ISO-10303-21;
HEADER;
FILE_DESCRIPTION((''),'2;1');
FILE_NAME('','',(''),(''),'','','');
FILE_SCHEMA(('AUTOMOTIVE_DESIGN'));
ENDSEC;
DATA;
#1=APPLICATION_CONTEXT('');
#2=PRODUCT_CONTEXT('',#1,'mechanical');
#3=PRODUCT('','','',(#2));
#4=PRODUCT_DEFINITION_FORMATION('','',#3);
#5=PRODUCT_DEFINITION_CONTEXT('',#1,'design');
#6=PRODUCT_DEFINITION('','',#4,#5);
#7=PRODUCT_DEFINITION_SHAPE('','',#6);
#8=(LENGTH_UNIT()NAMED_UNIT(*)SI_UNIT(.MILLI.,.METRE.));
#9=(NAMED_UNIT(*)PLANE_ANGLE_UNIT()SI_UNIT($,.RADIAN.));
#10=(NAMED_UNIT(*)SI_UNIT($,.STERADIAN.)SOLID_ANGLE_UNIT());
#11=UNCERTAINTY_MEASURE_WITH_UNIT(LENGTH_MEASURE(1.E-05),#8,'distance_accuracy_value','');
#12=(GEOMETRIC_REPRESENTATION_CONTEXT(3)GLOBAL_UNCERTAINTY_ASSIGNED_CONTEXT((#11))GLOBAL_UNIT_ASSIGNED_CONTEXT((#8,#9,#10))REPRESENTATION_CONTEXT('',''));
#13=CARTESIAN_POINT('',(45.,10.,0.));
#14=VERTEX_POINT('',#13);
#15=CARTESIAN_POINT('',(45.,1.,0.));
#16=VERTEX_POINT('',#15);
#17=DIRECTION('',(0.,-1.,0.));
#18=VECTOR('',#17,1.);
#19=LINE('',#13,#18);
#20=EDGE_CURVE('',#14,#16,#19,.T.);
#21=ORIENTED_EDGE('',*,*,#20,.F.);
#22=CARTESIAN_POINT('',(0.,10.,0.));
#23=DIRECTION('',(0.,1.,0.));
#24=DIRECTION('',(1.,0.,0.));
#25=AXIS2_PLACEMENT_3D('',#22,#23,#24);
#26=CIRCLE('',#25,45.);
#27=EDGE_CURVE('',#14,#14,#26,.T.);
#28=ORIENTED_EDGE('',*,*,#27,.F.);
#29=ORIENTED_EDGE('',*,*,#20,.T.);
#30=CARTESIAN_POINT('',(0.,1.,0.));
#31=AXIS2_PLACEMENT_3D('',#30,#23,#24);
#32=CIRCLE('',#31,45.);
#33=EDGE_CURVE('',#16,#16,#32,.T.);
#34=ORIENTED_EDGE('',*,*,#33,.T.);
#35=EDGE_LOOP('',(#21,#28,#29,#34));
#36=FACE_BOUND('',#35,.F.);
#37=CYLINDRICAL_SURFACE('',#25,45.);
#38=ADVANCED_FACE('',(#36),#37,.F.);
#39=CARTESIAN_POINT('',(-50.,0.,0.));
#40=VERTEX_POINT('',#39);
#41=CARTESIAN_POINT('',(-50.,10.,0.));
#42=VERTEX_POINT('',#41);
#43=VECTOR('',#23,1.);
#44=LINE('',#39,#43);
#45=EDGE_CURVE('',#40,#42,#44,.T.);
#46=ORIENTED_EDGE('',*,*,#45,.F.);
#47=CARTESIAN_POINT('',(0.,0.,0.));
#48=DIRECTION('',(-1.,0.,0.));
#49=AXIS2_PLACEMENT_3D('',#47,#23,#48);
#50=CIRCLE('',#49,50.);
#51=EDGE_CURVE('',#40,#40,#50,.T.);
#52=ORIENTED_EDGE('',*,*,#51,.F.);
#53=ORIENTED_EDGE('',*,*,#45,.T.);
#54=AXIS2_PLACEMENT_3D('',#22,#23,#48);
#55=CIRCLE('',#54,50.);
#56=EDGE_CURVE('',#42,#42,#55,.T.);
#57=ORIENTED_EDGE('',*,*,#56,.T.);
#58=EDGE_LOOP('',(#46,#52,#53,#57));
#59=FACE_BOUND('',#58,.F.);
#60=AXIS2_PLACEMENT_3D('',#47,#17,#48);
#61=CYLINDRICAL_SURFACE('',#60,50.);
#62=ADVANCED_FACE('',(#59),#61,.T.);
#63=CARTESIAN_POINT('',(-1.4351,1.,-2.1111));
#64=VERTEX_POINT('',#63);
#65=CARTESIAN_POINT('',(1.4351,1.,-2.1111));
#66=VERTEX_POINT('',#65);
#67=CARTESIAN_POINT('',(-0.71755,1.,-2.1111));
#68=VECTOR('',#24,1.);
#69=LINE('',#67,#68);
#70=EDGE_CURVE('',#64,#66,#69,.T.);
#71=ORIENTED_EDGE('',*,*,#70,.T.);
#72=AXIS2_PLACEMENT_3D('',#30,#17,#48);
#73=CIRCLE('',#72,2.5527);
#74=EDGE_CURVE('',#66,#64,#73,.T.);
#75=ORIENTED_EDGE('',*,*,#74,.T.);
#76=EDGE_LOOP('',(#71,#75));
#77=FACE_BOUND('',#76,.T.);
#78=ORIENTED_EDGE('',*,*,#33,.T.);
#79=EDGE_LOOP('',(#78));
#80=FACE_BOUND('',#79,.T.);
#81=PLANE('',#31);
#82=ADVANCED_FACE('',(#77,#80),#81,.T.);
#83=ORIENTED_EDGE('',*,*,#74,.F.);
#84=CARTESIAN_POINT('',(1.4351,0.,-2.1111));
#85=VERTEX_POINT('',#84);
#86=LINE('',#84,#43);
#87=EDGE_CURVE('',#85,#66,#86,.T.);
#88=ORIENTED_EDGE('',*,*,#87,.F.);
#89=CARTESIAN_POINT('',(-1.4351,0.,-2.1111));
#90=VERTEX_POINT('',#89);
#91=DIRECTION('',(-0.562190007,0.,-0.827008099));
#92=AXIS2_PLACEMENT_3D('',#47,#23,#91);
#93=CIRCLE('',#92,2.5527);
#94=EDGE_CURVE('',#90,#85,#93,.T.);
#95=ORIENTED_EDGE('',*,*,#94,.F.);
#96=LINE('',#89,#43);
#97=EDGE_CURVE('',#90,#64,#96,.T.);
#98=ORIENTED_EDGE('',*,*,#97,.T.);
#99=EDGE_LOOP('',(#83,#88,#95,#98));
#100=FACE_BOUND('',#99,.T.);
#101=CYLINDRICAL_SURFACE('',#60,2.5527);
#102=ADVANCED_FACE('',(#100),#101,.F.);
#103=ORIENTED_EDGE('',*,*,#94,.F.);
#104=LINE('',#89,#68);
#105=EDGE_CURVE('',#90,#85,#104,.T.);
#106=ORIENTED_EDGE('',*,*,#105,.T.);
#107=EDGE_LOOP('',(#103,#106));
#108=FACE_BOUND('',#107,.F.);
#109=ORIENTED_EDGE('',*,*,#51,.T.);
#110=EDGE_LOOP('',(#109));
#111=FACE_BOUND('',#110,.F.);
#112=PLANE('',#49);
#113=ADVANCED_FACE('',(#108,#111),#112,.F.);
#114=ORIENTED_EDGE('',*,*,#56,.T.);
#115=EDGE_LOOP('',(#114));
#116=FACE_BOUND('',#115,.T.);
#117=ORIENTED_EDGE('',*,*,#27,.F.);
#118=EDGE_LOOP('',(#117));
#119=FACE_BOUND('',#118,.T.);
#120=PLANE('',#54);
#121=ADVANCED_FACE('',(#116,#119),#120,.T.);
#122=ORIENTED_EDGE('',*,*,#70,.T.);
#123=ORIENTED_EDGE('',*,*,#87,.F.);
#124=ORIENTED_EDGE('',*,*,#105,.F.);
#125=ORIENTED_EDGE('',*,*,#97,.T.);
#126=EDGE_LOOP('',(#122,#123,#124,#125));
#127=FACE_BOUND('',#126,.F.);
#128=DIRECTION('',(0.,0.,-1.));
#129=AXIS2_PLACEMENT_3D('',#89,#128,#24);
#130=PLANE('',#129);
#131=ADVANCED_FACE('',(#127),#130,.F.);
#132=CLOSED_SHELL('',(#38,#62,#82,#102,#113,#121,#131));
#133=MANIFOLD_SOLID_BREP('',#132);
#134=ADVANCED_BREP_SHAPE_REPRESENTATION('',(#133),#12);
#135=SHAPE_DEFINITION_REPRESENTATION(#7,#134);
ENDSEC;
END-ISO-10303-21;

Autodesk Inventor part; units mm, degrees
ref_plane "YZ Plane" through (0, 0, 0) normal (1, 0, 0) x (0, 1, 0)
ref_plane "XZ Plane" through (0, 0, 0) normal (0, 1, 0) x (-1, 0, 0)
ref_plane "XY Plane" through (0, 0, 0) normal (0, 0, 1) x (1, 0, 0)
sketch "Sketch1" plane through (0, 0, 0) normal (0, 1, 0) x (-1, 0, 0)
  circle A0 centre (0, 0) radius 50
  circle A1 centre (0, 0) radius 2.5527
  line L0 (1.4351, -2.1111) -> (-1.4351, -2.1111)
  dimension "d0" = 100
  dimension "d1" = 5.1054
  dimension "d2" = 2.8702
extrude "Extrusion1" add sketch "Sketch1" along normal blind 10 contours A0 | L0 A1 picked at (0.2983, -2.2043)
sketch "Sketch2" plane through (0, 10, 0) normal (0, 1, 0) x (1, 0, 0)
  circle A0 centre (0, 0) radius 45
  dimension "d5" = 90
extrude "Extrusion2" cut sketch "Sketch2" against normal blind 9
sketch "Sketch7" plane through (0, 1, 0) normal (0, 1, 0) x (1, 0, 0)
  circle A0 centre (0, 0) radius 45
extrude "Extrusion5" cut sketch "Sketch7" along normal blind 10
properties part number "Gearsp1"
